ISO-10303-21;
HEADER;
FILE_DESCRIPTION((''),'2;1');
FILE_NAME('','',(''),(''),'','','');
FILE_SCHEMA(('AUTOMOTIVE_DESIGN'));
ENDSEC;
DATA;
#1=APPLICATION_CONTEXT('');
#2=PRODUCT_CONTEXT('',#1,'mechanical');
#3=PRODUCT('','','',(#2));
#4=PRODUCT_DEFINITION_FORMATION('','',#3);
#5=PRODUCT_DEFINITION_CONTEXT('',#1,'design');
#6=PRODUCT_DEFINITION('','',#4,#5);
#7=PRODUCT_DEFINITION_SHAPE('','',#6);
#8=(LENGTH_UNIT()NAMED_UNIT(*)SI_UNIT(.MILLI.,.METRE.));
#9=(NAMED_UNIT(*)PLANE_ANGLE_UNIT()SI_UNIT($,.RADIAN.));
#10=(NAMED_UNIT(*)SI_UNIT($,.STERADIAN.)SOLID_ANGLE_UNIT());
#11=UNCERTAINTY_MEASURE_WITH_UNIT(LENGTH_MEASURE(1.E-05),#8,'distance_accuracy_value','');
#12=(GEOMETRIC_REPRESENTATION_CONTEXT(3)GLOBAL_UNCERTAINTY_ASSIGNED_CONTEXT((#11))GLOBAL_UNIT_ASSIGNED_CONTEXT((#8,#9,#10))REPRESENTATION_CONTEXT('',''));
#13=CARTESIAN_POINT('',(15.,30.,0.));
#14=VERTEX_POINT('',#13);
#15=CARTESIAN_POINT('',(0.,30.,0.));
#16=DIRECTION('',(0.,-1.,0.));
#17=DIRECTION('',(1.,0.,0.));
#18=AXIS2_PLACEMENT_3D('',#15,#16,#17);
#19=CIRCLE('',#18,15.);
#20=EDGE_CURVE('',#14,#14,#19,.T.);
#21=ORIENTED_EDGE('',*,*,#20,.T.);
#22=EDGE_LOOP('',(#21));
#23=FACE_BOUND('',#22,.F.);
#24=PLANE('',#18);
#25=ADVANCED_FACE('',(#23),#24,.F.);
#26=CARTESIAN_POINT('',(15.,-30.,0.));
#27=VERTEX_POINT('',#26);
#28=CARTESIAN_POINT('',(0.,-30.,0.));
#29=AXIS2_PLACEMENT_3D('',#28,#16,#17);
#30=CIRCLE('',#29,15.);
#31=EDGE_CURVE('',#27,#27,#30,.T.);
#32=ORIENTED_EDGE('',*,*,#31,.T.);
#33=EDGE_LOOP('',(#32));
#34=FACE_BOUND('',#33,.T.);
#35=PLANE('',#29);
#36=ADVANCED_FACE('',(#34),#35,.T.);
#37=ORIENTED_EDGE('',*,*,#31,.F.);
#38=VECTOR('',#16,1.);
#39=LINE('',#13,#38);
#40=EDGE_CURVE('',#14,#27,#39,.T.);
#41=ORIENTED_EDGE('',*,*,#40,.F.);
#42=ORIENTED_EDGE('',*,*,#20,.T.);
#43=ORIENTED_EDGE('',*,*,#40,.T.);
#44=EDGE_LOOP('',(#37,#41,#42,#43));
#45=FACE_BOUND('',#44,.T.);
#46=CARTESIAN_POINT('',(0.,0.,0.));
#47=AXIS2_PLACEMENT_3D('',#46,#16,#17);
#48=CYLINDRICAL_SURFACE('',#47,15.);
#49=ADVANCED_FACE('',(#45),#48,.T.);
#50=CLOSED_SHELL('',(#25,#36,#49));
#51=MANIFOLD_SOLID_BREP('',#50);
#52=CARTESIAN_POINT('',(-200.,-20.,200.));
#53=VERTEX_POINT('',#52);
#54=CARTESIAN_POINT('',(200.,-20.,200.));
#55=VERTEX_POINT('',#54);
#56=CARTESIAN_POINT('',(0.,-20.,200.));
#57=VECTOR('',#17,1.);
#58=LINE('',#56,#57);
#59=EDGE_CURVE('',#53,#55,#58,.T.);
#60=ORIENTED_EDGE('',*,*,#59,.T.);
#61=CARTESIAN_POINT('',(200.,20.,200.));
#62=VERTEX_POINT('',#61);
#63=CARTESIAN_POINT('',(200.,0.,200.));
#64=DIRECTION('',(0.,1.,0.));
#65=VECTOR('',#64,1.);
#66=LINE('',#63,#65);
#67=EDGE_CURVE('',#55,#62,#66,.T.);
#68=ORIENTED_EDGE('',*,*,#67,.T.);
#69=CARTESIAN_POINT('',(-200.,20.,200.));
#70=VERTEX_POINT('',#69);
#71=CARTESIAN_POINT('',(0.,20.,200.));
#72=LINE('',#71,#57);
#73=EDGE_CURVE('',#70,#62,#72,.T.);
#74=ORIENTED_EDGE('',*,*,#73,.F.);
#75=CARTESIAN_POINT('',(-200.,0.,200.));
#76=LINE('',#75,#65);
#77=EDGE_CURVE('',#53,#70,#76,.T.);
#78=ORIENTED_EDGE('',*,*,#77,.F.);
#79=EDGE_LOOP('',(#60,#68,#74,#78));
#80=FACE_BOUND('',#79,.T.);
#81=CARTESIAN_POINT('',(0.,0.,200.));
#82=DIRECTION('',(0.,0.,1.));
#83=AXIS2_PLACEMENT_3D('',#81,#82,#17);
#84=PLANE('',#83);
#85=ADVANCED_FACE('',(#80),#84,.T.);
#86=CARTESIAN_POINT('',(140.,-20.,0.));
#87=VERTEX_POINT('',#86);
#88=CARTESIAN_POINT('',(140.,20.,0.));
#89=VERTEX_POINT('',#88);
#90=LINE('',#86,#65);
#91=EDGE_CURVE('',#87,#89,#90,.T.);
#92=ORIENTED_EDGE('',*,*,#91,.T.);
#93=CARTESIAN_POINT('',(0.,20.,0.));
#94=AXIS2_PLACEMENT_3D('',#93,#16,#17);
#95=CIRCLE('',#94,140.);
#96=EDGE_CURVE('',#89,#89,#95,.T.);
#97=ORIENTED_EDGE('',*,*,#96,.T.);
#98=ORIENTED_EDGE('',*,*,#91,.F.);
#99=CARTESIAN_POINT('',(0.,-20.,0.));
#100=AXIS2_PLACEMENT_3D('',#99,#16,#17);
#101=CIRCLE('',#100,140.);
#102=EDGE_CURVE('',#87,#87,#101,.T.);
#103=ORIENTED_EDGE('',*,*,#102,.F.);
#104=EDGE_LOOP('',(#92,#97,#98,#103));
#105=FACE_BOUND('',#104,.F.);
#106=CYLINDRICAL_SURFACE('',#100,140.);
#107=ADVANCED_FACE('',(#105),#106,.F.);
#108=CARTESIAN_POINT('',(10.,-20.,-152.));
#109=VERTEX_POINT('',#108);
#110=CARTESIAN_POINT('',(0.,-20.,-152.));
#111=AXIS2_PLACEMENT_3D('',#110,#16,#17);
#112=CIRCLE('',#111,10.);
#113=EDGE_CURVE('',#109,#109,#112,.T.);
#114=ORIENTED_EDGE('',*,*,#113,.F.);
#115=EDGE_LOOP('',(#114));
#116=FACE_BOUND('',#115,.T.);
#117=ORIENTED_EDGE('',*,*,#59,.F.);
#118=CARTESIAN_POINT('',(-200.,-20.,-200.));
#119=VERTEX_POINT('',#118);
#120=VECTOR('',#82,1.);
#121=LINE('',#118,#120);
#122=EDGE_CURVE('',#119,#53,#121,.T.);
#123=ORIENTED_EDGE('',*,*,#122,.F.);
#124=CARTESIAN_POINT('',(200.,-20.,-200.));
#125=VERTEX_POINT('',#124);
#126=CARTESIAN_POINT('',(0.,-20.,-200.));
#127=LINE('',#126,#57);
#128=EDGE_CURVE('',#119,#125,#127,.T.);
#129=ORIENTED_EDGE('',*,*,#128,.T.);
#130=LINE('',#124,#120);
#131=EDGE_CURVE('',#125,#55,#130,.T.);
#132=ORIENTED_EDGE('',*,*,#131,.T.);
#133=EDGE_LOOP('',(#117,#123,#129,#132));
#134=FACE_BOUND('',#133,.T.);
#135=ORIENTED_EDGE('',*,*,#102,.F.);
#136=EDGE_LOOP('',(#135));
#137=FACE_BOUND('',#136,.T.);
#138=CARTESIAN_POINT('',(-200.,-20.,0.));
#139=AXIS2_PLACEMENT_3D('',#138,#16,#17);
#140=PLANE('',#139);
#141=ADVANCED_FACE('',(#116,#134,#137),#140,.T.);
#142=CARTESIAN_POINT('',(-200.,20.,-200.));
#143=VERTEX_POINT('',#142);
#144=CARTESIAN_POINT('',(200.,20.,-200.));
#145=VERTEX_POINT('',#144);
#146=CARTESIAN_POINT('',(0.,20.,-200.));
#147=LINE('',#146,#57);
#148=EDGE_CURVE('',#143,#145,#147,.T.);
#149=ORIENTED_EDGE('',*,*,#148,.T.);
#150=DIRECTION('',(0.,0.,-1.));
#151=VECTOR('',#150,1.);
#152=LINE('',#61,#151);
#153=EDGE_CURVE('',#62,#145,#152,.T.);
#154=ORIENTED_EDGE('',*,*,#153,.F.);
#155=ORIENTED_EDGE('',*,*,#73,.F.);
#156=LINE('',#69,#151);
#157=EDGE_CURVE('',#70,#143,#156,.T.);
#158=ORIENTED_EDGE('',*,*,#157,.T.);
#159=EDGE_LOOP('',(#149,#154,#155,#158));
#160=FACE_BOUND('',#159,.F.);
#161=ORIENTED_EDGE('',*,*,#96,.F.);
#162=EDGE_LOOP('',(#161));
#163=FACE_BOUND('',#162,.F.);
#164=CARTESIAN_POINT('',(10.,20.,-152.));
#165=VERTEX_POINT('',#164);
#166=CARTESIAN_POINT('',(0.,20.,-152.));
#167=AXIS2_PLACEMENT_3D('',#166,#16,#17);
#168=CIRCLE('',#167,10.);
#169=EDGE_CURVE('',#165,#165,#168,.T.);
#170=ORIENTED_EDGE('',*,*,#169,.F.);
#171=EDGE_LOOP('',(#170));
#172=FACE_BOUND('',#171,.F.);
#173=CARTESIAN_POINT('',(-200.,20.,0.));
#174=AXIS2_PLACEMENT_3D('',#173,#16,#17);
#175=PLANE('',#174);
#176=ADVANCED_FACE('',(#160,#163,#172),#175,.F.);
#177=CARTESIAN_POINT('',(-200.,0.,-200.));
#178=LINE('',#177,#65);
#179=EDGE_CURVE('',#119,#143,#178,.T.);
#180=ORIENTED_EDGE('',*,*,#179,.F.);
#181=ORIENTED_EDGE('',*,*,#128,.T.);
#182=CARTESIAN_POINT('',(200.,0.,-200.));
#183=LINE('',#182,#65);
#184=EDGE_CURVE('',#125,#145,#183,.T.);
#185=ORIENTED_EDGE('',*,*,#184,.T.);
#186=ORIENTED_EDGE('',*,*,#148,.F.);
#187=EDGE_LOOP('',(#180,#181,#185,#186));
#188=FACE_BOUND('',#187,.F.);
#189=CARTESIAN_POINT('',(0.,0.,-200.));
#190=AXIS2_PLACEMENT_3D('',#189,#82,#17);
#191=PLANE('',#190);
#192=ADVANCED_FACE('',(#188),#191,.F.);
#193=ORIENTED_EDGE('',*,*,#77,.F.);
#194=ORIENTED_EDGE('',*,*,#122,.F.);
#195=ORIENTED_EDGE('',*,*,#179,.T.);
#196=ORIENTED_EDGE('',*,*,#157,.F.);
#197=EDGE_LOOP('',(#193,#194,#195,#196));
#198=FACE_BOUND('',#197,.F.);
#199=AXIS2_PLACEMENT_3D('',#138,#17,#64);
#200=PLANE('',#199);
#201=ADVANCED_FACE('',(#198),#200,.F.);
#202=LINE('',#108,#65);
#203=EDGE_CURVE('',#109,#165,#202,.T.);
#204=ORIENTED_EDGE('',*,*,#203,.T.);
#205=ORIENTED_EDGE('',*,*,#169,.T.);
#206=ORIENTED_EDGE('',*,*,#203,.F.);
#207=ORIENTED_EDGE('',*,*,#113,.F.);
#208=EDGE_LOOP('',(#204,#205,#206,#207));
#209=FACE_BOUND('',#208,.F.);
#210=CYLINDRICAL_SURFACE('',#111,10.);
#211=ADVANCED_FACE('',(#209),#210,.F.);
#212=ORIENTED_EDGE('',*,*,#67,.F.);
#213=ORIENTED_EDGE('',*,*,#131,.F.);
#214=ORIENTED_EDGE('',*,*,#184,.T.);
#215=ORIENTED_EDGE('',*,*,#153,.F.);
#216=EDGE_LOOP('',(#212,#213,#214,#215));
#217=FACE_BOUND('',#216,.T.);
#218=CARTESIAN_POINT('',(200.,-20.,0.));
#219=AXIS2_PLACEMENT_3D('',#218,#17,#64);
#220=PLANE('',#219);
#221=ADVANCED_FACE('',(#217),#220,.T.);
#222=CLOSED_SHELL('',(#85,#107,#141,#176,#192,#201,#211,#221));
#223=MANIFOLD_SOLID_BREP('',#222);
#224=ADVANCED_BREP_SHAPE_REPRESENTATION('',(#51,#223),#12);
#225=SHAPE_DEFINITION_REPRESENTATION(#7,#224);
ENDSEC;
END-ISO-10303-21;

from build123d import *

# Parameters (mm, degrees)
F0_W          = 400
F0_H          = 40
F1_DEPTH      = 200
F1_DEPTH_BACK = 200
F2_R          = 140
F3_DEPTH      = 40
F4_R          = 15
F5_DEPTH      = 30
F5_DEPTH_BACK = 30
F6_R          = 10
F7_DEPTH      = 40


with BuildPart() as f1:
    # F0 (on Top) → F1 (new body, two sides)
    with BuildSketch(Plane.XY) as f1_sk:
        Rectangle(F0_W, F0_H)
    extrude(amount=F1_DEPTH)
    extrude(f1_sk.sketch, amount=-F1_DEPTH_BACK)

    # F2 (on face) → F3 (cut)
    with BuildSketch(Plane.XZ.offset(20)):
        Circle(F2_R)
    extrude(amount=-F3_DEPTH, mode=Mode.SUBTRACT)

    # F6 (on face) → F7 (cut)
    with BuildSketch(Plane.XZ.offset(20)):
        with Locations((0, -152)):
            Circle(F6_R)
    extrude(amount=-F7_DEPTH, mode=Mode.SUBTRACT)


with BuildPart() as f5:
    # F4 (on Front) → F5 (new body, two sides)
    with BuildSketch(Plane.XZ) as f5_sk:
        Circle(F4_R)
    extrude(amount=F5_DEPTH)
    extrude(f5_sk.sketch, amount=-F5_DEPTH_BACK)


solid = Compound([f1.part, f5.part])
